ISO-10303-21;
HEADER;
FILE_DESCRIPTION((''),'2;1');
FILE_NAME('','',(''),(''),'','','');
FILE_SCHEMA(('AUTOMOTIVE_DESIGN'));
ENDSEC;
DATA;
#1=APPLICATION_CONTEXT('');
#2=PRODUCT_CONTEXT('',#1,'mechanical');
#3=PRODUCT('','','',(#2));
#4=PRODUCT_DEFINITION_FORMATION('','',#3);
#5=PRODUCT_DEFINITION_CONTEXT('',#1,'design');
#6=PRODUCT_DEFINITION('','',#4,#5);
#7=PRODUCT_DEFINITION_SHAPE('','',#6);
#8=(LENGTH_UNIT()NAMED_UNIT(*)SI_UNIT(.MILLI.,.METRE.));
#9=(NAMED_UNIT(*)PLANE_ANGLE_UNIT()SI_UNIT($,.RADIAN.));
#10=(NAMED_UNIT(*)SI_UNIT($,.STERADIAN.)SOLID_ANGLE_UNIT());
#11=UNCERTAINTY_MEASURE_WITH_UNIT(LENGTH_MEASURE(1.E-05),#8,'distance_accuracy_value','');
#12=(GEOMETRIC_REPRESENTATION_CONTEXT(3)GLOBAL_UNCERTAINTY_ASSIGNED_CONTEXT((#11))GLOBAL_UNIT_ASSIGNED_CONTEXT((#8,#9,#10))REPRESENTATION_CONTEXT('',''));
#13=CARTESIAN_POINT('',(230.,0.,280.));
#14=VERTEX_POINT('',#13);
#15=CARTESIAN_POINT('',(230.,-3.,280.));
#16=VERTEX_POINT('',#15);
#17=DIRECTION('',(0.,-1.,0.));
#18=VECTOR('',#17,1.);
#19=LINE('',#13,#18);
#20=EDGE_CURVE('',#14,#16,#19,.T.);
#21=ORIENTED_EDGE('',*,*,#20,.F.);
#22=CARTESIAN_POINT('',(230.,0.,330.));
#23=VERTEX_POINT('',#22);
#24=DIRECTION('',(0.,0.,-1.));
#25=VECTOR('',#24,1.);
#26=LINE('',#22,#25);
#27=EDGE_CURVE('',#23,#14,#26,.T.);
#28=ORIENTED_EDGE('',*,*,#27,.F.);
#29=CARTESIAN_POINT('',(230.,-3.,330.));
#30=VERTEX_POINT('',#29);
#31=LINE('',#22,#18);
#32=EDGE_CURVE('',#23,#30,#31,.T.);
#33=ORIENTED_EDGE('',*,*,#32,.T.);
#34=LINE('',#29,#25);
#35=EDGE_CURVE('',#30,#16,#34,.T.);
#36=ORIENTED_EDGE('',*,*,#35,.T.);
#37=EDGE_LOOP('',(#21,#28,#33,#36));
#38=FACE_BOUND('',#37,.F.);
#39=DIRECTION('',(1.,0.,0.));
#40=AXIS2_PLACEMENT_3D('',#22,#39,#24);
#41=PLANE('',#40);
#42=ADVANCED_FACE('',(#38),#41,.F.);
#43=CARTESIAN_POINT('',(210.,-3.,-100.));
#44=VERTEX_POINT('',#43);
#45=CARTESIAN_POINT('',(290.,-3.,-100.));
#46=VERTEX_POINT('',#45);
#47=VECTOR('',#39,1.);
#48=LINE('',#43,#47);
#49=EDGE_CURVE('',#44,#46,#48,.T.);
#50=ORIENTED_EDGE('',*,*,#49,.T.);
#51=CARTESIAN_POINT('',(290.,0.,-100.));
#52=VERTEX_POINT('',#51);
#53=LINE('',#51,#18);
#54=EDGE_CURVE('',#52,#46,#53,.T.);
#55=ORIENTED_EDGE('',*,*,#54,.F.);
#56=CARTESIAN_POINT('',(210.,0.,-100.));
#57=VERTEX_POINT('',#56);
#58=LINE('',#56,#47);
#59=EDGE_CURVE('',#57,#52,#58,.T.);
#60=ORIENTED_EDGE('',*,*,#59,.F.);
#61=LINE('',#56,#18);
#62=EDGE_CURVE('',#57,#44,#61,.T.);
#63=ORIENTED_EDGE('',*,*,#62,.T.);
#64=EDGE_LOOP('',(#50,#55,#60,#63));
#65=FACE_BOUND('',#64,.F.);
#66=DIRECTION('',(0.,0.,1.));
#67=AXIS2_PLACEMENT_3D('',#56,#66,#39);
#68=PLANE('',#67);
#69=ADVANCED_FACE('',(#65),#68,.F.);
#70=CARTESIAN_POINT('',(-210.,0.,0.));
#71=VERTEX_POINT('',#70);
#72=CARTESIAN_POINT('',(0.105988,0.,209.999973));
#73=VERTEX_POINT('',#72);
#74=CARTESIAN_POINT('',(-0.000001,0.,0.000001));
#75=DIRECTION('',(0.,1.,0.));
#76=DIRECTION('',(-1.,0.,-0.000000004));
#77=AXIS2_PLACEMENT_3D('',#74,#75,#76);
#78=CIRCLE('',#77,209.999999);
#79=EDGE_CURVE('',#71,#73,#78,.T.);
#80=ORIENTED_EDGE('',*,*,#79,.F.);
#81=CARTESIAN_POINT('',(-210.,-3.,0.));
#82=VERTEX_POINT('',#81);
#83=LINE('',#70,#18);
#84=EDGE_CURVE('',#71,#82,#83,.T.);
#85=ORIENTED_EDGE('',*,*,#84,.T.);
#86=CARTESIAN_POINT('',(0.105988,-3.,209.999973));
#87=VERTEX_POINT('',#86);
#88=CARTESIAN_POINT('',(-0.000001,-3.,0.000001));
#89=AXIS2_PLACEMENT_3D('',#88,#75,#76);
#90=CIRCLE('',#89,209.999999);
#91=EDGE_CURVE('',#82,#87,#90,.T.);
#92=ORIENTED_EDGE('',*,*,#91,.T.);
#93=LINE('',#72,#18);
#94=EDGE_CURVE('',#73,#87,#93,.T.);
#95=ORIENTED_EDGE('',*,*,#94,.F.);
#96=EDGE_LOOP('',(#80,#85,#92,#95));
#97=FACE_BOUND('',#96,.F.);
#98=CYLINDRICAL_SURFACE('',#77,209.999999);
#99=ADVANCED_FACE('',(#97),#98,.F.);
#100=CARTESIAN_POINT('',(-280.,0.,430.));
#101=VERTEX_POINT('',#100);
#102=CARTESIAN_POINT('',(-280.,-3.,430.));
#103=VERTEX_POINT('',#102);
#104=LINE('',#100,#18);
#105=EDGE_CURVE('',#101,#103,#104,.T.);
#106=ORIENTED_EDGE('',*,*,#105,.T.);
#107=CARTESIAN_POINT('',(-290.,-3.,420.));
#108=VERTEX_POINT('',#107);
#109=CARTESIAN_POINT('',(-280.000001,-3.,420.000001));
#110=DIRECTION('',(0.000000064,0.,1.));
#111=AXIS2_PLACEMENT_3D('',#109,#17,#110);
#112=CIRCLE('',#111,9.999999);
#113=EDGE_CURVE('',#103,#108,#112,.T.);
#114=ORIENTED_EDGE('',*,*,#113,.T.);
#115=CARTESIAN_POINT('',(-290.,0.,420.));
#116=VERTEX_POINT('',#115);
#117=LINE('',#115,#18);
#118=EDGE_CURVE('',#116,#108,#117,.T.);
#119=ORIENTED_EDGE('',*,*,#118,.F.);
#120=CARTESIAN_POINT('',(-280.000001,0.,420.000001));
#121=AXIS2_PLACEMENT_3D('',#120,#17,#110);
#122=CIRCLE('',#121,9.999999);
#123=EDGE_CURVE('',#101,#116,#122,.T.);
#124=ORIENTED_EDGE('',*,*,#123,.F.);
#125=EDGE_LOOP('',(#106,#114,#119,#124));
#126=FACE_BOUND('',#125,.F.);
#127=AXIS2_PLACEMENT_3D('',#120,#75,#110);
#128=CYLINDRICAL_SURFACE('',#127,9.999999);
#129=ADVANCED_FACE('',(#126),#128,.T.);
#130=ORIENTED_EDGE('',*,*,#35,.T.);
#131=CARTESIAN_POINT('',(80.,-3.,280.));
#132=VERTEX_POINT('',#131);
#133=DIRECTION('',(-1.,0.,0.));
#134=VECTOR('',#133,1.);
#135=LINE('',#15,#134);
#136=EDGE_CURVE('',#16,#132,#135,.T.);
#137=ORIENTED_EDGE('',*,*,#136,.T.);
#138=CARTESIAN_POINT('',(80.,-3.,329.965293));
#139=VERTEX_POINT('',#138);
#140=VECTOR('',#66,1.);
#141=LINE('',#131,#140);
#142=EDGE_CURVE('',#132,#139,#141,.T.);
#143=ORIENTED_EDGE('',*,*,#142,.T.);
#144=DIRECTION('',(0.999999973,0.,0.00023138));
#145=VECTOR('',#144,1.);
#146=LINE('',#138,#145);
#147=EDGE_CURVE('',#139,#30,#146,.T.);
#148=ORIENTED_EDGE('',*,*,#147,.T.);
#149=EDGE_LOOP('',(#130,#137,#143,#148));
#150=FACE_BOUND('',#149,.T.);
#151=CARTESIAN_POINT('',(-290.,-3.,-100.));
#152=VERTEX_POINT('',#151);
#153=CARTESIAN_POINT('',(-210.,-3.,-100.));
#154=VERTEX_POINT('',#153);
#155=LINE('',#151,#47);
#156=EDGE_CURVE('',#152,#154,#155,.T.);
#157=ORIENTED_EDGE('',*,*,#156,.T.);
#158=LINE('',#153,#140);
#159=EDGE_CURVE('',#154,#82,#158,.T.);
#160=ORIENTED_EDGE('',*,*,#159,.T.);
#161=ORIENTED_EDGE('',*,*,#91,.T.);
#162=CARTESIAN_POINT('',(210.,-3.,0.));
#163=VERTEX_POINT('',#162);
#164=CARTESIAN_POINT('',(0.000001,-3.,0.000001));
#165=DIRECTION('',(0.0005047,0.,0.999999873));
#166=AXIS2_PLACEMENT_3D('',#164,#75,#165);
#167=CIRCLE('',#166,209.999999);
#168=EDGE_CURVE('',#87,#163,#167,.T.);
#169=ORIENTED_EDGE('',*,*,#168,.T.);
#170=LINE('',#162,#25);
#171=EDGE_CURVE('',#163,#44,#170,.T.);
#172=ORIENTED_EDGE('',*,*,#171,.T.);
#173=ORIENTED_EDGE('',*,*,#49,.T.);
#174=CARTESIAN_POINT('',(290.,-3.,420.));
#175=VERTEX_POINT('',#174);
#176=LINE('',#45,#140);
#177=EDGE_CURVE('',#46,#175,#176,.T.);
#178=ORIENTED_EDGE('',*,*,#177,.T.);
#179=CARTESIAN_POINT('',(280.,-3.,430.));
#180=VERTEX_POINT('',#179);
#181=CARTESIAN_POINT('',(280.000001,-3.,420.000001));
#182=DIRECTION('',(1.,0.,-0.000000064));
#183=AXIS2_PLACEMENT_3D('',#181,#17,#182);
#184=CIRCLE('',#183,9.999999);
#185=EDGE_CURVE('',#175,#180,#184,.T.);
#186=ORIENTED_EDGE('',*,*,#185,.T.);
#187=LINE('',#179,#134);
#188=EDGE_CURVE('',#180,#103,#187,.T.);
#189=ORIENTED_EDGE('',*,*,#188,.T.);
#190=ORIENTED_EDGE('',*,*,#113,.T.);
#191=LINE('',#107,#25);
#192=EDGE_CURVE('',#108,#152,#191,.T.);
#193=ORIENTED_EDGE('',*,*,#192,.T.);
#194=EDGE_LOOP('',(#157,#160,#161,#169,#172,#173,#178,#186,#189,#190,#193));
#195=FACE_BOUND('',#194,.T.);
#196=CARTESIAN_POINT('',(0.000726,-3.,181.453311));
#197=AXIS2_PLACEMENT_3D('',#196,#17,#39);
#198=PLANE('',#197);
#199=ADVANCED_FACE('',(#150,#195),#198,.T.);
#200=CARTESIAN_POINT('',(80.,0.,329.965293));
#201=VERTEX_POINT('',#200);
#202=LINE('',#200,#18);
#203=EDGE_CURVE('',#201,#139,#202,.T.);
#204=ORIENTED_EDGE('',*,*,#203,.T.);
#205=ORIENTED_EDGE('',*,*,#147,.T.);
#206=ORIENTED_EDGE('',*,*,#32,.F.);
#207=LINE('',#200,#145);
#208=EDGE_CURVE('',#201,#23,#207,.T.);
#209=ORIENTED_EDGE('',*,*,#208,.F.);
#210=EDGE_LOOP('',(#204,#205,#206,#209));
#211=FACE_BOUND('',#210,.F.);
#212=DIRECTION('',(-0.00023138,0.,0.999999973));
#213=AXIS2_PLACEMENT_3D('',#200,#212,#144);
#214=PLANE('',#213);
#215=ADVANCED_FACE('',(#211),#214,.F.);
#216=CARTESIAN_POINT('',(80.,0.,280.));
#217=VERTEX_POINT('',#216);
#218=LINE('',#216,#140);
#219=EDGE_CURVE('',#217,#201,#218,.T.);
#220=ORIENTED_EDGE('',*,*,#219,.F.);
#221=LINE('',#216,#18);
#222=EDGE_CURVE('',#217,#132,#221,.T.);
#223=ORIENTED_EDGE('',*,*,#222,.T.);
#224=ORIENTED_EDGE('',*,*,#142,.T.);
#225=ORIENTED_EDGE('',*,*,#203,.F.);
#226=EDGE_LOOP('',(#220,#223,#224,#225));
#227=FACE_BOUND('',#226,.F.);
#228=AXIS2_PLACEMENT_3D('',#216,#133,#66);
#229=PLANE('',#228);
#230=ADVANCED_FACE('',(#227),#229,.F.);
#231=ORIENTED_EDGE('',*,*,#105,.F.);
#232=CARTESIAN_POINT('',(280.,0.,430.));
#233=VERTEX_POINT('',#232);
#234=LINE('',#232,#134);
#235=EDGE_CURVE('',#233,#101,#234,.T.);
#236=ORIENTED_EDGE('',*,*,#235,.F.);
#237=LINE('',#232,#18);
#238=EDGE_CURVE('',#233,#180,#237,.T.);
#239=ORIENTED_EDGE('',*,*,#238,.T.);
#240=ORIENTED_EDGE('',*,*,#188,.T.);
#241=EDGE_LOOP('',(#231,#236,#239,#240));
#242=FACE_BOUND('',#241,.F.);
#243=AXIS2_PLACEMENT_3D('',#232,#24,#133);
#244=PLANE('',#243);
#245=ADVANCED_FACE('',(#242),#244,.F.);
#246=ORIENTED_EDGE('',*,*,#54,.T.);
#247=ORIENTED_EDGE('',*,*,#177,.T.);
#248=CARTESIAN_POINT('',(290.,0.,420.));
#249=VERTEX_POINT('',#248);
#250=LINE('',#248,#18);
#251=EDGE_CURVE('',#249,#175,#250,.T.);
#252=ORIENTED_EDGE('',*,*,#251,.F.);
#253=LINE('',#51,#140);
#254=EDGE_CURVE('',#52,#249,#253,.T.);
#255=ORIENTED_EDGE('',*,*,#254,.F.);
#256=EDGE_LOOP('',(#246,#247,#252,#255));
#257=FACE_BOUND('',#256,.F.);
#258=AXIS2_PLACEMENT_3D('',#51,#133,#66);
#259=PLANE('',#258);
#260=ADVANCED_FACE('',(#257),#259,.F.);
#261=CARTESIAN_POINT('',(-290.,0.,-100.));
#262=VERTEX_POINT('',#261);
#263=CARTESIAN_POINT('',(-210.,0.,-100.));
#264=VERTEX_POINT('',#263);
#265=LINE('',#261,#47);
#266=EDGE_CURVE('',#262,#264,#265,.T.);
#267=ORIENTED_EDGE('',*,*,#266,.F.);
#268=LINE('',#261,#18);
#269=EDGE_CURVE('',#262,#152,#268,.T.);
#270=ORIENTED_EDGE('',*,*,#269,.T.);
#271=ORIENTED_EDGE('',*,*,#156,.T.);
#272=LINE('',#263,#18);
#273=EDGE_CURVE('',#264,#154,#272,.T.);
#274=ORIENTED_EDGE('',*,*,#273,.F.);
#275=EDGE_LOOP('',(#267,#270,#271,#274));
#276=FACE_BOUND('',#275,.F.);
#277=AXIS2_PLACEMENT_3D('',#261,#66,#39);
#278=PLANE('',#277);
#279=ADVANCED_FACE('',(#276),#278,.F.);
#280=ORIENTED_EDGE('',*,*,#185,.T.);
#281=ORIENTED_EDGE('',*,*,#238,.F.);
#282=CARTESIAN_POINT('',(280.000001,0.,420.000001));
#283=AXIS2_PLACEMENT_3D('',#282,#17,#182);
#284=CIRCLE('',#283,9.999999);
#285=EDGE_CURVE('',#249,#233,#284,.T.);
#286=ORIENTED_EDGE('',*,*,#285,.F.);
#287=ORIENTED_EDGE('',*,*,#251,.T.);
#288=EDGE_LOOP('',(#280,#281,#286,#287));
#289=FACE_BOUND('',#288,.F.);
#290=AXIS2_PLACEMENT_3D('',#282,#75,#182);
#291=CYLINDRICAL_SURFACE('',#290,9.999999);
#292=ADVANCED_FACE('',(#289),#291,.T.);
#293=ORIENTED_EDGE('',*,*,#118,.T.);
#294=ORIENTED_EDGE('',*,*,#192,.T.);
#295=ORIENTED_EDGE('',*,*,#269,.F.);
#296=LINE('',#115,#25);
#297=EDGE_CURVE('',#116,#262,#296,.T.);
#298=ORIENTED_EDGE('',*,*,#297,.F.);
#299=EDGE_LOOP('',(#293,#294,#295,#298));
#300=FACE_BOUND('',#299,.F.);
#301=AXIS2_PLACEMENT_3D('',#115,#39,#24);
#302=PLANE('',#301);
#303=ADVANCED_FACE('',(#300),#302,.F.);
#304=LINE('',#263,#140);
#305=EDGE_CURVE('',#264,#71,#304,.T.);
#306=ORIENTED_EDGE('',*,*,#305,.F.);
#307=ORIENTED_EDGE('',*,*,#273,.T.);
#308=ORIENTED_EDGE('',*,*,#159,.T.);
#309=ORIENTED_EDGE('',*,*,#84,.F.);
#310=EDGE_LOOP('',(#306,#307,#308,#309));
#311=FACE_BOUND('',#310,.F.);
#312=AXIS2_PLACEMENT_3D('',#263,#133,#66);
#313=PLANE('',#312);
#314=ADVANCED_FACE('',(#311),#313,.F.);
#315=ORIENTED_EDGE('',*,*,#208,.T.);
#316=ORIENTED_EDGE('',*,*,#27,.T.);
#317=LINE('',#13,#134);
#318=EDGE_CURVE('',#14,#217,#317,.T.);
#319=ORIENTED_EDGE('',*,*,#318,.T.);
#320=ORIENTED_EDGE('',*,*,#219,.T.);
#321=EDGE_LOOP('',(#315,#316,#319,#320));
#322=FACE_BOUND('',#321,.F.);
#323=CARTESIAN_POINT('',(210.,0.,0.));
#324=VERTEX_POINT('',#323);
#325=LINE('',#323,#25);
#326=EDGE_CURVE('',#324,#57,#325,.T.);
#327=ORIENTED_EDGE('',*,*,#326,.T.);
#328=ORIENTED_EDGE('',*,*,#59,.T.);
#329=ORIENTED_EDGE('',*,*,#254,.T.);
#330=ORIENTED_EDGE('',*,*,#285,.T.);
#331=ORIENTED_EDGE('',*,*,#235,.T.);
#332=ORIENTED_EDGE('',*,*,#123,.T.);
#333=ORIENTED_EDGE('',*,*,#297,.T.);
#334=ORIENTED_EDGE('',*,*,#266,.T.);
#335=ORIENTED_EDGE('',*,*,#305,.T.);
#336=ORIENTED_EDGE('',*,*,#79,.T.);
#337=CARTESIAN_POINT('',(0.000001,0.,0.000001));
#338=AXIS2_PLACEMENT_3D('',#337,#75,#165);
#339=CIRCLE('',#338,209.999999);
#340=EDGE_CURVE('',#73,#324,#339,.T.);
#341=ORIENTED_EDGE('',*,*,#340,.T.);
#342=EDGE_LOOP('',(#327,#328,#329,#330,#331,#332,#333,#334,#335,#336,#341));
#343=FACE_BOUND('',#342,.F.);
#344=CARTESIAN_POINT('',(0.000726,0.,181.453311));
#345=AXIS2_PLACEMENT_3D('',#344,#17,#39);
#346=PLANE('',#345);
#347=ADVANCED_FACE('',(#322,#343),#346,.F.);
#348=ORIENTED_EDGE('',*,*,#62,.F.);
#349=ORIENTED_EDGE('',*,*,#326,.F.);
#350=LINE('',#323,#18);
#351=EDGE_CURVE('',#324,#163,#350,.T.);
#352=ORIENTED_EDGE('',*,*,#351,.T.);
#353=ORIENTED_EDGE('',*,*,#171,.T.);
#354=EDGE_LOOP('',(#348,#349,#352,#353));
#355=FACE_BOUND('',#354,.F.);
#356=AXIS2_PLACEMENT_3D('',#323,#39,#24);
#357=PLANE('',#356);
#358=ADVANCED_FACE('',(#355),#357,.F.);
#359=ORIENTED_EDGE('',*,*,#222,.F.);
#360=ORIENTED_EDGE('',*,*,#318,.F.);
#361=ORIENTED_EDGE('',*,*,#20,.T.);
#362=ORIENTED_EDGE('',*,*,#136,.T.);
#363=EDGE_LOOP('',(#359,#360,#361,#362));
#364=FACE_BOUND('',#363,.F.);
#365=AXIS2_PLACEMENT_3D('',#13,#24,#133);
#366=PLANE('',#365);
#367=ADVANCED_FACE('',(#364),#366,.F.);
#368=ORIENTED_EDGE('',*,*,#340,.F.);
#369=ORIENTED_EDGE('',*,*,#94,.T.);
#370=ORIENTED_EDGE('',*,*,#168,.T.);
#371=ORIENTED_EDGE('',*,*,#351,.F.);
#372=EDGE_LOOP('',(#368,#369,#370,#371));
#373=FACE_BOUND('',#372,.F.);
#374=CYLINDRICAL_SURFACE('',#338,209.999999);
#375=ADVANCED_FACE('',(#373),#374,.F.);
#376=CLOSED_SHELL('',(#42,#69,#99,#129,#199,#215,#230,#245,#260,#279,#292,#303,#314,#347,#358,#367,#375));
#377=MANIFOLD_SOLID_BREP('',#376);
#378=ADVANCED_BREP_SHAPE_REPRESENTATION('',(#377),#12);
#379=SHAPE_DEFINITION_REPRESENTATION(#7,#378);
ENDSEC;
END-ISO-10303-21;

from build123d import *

# Parameters (mm, degrees)
F1_DEPTH = 3


with BuildPart() as f1:
    # F0 (on Front) → F1 (new body)
    with BuildSketch(Plane.XZ):
        with BuildLine():
            Line((280, 430), (-280, 430))
            ThreePointArc((-280, 430), (-287.071068, 427.071068), (-290, 420))
            Line((-290, 420), (-290, -100))
            Line((-290, -100), (-210, -100))
            Line((-210, -100), (-210, 0))
            ThreePointArc((-210, 0), (-148.454947, 148.529892), (0.105988, 209.999973))
            ThreePointArc((0.105988, 209.999973), (148.529892, 148.454947), (210, 0))
            Line((210, 0), (210, -100))
            Line((210, -100), (290, -100))
            Line((290, -100), (290, 420))
            ThreePointArc((290, 420), (287.071068, 427.071068), (280, 430))
        make_face()
        Polygon((230, 280), (80, 280), (80, 329.965293), (230, 330), align=None, mode=Mode.SUBTRACT)
    extrude(amount=F1_DEPTH)


solid = f1.part
